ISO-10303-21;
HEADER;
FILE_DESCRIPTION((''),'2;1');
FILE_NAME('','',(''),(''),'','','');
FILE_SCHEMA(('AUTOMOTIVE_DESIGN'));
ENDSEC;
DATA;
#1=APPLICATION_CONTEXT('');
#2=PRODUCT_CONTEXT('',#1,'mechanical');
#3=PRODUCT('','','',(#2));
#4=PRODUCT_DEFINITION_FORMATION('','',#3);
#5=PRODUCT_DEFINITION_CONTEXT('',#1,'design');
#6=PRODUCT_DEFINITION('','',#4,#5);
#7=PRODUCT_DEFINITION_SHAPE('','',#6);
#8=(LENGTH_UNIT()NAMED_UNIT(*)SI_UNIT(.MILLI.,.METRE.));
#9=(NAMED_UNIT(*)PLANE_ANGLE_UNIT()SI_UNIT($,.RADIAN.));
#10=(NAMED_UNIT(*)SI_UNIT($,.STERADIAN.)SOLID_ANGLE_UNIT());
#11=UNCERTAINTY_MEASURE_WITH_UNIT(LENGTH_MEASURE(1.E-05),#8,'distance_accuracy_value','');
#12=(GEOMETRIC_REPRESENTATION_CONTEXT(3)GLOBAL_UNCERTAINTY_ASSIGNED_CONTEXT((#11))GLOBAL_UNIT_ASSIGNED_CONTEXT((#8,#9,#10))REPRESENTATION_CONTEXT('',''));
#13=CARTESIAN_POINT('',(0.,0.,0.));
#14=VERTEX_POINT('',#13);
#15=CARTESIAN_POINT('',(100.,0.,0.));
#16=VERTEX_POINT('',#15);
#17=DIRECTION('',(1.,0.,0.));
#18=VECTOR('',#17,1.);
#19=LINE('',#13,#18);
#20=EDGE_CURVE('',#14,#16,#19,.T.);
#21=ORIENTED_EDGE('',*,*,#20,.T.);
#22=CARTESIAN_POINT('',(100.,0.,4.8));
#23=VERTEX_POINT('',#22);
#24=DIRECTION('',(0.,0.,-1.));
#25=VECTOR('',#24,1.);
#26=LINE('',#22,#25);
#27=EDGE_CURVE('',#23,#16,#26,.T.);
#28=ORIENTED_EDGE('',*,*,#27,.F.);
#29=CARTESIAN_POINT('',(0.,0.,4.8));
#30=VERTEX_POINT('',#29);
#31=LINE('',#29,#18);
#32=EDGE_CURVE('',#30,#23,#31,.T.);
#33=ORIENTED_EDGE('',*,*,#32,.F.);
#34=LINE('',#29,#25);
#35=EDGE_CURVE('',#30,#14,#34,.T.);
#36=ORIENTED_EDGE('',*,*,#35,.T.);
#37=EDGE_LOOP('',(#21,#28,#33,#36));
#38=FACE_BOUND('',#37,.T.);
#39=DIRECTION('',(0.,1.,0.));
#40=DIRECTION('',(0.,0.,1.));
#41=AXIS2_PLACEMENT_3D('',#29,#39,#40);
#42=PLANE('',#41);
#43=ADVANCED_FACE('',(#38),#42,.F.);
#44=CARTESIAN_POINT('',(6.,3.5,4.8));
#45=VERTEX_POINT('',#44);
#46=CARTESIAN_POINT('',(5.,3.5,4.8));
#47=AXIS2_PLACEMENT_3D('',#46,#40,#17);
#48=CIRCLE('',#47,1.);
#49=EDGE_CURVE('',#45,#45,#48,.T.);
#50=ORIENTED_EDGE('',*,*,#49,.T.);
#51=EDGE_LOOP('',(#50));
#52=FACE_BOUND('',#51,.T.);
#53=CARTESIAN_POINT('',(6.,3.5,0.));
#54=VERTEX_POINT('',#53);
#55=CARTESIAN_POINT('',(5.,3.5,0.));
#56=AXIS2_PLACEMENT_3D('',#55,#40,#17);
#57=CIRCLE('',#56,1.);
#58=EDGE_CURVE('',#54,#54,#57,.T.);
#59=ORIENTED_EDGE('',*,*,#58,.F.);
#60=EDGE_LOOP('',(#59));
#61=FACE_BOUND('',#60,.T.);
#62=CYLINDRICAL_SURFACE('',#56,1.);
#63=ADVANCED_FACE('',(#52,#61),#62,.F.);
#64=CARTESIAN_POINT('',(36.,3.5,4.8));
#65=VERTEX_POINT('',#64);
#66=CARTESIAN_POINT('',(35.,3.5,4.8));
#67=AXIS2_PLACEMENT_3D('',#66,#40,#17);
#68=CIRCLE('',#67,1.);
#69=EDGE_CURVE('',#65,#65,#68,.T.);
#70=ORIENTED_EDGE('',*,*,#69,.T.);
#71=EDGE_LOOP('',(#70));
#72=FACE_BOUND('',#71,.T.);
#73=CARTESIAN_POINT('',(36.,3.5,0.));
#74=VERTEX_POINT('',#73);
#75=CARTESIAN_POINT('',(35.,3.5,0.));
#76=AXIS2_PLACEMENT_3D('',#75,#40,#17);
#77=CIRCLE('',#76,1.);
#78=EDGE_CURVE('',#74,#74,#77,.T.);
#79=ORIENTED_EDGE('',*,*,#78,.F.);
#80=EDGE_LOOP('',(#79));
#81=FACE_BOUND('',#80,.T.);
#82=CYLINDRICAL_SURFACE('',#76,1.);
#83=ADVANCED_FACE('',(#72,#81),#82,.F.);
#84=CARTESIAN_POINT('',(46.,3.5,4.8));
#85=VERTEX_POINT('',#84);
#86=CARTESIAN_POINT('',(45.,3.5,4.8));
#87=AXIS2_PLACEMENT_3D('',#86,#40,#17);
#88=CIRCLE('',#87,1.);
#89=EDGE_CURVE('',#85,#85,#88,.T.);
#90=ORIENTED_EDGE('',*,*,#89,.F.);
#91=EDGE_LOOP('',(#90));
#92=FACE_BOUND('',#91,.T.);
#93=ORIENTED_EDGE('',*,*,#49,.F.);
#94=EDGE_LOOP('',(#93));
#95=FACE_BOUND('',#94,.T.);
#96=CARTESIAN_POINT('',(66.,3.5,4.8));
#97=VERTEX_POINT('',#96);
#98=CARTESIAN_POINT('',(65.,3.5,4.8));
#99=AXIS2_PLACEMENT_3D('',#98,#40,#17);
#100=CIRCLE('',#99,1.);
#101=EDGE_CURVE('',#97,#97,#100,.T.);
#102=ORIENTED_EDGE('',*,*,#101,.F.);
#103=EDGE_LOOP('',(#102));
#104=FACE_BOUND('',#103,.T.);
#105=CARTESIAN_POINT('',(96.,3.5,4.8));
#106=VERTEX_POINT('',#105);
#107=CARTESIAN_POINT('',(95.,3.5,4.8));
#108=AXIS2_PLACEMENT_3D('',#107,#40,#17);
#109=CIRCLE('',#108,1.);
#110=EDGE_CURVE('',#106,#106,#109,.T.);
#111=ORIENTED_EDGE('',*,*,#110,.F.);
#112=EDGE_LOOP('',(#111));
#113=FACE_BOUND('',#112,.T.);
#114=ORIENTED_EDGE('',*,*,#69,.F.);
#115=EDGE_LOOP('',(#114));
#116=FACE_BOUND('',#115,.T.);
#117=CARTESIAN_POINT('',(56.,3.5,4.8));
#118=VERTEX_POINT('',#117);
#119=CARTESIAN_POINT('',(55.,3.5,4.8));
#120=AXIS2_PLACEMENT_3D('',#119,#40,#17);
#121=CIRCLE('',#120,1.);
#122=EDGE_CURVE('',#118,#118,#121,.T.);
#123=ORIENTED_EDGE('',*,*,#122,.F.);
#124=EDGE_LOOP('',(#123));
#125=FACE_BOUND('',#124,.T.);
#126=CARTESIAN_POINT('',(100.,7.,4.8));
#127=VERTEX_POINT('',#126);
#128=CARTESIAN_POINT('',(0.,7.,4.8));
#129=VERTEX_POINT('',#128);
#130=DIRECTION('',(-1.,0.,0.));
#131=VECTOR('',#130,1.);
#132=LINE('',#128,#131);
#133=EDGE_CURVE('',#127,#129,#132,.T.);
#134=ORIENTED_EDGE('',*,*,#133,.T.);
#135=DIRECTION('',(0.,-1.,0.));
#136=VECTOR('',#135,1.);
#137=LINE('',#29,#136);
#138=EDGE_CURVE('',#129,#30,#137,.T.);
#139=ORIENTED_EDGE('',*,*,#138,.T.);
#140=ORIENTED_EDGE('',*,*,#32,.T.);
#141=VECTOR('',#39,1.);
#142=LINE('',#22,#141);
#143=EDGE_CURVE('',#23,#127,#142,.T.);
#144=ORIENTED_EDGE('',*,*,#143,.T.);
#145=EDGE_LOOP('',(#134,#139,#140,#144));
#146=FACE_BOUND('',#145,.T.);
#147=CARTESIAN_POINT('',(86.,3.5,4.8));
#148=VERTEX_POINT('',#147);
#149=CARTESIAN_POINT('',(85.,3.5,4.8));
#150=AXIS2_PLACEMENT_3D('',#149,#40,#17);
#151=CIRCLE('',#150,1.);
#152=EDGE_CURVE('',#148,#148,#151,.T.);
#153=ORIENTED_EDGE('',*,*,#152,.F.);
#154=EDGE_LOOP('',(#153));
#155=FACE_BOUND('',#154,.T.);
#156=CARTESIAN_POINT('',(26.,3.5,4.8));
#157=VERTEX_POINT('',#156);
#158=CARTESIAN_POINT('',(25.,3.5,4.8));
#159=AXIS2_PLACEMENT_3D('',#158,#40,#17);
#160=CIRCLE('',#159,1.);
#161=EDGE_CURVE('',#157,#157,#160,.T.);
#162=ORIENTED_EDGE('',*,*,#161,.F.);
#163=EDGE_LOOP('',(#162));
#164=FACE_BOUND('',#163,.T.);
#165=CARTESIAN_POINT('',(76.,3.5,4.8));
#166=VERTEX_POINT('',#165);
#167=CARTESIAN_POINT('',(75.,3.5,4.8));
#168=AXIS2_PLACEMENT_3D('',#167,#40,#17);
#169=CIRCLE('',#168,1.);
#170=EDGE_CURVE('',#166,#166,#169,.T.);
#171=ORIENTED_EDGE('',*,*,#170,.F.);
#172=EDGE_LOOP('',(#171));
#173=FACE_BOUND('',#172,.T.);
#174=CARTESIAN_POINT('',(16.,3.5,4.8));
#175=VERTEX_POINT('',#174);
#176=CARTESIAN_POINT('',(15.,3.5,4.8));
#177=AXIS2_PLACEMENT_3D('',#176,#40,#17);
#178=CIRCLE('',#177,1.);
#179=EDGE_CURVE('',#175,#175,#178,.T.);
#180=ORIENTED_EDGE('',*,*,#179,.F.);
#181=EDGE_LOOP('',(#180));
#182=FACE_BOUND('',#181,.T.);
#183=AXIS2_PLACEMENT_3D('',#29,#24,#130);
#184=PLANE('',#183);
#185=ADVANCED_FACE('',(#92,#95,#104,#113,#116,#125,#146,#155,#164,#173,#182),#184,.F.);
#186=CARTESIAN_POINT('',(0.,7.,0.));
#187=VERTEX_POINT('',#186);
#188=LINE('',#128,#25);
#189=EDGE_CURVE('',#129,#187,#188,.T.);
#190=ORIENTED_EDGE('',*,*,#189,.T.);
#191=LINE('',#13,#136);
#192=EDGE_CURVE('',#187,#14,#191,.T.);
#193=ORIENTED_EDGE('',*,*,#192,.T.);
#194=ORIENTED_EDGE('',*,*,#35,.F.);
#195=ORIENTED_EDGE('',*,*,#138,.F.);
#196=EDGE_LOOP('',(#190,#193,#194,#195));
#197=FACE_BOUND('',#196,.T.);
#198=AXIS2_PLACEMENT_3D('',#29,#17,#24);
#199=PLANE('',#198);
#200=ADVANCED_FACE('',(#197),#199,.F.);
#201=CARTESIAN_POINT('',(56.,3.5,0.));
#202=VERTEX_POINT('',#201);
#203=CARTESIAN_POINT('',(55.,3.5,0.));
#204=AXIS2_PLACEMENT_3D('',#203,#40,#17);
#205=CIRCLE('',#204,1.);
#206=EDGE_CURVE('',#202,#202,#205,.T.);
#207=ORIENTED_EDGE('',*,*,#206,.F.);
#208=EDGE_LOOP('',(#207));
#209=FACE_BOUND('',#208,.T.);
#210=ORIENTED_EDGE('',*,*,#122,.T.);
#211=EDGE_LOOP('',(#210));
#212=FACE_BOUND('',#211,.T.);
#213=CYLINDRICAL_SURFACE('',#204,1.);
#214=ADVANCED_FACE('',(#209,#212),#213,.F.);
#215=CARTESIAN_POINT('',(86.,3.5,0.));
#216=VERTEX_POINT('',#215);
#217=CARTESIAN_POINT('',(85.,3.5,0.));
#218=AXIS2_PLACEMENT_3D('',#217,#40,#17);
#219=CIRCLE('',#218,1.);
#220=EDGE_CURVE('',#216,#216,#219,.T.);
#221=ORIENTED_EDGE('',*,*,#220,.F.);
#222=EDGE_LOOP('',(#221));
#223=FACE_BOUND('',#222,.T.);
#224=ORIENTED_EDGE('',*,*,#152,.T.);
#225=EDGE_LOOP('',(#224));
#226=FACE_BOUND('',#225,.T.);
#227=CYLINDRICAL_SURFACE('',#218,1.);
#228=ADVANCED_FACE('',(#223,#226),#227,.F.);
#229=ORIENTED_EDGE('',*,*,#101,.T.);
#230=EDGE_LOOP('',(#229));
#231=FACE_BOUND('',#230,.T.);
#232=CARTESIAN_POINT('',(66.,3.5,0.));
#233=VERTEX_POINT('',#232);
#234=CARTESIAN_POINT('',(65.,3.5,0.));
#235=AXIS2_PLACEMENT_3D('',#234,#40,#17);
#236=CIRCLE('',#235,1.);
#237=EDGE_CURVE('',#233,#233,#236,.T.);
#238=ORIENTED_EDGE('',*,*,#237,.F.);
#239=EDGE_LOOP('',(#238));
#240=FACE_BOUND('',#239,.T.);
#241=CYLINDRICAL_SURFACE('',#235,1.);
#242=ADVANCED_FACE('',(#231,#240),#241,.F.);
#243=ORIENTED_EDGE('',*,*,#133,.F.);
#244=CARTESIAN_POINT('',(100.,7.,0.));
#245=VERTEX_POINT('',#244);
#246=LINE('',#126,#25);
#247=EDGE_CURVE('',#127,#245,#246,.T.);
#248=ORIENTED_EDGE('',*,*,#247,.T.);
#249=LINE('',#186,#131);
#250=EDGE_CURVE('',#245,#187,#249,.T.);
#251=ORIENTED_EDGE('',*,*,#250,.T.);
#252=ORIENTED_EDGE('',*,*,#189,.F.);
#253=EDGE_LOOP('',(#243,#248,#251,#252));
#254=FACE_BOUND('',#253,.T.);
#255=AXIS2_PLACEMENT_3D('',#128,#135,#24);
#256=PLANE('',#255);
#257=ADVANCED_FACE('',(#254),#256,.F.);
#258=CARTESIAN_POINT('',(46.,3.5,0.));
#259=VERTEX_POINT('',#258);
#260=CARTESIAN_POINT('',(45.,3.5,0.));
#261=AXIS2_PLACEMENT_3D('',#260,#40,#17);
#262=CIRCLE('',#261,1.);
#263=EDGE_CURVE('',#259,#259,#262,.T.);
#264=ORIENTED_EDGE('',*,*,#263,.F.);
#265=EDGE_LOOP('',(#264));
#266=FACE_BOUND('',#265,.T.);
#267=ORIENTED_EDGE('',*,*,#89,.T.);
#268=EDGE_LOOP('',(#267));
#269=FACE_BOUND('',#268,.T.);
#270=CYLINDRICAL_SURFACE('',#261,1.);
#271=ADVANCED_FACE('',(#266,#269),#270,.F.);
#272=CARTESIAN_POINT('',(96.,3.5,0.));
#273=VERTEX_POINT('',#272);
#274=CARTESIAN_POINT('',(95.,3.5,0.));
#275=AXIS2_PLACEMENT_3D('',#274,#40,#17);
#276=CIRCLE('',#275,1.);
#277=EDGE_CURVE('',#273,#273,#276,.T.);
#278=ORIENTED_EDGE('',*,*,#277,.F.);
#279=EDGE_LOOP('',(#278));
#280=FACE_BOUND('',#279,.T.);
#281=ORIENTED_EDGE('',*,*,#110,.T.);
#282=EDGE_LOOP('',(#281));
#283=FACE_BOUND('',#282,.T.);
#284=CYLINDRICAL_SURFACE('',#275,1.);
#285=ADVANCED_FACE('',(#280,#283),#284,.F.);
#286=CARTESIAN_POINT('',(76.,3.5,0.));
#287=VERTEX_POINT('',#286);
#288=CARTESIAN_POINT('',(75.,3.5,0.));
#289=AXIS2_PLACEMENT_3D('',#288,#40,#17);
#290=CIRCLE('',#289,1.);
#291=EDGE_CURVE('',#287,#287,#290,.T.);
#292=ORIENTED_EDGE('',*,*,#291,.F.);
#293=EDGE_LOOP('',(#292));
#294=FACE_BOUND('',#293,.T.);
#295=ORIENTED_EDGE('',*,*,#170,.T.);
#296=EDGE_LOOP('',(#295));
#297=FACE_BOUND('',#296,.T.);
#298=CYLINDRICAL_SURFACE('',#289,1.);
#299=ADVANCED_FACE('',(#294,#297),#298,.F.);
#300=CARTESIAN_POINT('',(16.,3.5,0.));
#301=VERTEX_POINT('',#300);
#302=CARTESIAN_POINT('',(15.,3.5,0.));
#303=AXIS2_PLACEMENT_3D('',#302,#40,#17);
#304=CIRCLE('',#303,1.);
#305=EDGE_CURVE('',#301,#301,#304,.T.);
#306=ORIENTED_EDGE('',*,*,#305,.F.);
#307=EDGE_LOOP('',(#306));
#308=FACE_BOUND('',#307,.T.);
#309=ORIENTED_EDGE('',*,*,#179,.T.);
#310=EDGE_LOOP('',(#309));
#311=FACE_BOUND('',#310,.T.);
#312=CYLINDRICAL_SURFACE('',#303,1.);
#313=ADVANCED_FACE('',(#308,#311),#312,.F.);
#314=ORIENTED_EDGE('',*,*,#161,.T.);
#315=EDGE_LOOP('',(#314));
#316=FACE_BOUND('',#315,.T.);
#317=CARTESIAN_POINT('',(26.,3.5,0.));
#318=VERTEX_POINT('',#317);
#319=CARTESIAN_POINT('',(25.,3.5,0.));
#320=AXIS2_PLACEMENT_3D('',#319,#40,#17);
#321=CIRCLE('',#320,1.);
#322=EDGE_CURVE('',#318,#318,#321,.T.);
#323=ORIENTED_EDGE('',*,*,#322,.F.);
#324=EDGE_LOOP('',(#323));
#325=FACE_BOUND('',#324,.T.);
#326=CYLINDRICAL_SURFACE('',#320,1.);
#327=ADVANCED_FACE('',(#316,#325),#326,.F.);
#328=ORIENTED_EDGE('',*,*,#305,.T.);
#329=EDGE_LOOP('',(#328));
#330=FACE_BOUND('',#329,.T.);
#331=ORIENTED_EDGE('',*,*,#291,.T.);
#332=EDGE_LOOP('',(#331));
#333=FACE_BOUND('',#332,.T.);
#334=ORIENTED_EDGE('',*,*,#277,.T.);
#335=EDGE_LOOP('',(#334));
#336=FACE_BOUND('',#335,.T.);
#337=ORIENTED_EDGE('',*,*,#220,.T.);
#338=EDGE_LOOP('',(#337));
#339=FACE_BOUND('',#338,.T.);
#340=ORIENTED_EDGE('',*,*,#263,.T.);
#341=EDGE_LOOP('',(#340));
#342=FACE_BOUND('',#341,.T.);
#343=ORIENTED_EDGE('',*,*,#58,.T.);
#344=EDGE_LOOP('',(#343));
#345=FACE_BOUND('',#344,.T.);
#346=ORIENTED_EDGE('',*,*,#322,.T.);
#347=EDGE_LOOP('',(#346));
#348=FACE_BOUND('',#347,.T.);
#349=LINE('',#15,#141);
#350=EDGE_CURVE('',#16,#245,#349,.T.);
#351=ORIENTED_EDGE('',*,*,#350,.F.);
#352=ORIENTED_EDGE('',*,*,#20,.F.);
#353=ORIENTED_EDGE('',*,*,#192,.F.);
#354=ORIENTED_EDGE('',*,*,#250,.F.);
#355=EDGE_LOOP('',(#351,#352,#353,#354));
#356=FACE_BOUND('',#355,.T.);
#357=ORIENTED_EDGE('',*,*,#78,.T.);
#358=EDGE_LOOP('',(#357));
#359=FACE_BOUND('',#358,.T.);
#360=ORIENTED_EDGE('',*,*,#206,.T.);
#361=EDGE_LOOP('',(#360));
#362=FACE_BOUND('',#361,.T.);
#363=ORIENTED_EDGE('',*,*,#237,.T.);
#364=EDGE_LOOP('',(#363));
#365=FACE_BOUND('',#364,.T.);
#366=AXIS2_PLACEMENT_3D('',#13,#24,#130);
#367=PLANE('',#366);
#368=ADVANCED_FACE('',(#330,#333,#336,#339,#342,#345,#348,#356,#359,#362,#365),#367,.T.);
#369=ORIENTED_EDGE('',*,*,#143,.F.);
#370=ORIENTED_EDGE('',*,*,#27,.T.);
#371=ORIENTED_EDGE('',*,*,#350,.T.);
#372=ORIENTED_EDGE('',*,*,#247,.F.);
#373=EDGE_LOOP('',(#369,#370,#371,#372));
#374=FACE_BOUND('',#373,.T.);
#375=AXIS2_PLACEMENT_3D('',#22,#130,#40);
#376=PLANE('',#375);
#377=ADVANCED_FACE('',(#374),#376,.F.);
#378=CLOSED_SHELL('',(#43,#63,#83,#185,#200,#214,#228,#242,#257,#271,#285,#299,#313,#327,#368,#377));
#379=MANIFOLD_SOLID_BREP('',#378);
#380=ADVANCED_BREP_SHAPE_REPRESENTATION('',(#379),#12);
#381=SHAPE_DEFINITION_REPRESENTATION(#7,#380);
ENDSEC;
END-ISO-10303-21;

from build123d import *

# Parameters (mm, degrees)
SKETCH_1_W          = 100
SKETCH_1_H          = 7
EXTRUDE_1_DEPTH     = 4.8
SKETCH_2_R          = 1
CUT_EXTRUDE_1_DEPTH = 4.8


with BuildPart() as part:
    # 草图1 → 凸台-拉伸1 (new body)
    with BuildSketch(Plane.XY):
        with Locations((50, 3.5)):
            Rectangle(SKETCH_1_W, SKETCH_1_H)
    extrude(amount=EXTRUDE_1_DEPTH)

    # 草图2 → 切除-拉伸1 (cut)
    with BuildSketch(Plane.XY.offset(4.8)):
        with BuildLine():
            ThreePointArc((6, 3.5), (5, 4.5), (4, 3.5))
            Line((4, 3.5), (6, 3.5))
        make_face()
        with BuildLine():
            Line((6, 3.5), (4, 3.5))
            ThreePointArc((4, 3.5), (5, 2.5), (6, 3.5))
        make_face()
        with BuildLine():
            ThreePointArc((16, 3.5), (15, 4.5), (14, 3.5))
            Line((14, 3.5), (16, 3.5))
        make_face()
        with BuildLine():
            Line((16, 3.5), (14, 3.5))
            ThreePointArc((14, 3.5), (15, 2.5), (16, 3.5))
        make_face()
        with BuildLine():
            ThreePointArc((26, 3.5), (25, 4.5), (24, 3.5))
            Line((24, 3.5), (26, 3.5))
        make_face()
        with BuildLine():
            Line((26, 3.5), (24, 3.5))
            ThreePointArc((24, 3.5), (25, 2.5), (26, 3.5))
        make_face()
        with BuildLine():
            ThreePointArc((36, 3.5), (35, 4.5), (34, 3.5))
            Line((34, 3.5), (36, 3.5))
        make_face()
        with BuildLine():
            Line((36, 3.5), (34, 3.5))
            ThreePointArc((34, 3.5), (35, 2.5), (36, 3.5))
        make_face()
        with BuildLine():
            ThreePointArc((46, 3.5), (45, 4.5), (44, 3.5))
            Line((44, 3.5), (46, 3.5))
        make_face()
        with BuildLine():
            Line((46, 3.5), (44, 3.5))
            ThreePointArc((44, 3.5), (45, 2.5), (46, 3.5))
        make_face()
        with BuildLine():
            ThreePointArc((56, 3.5), (55, 4.5), (54, 3.5))
            Line((54, 3.5), (56, 3.5))
        make_face()
        with BuildLine():
            Line((56, 3.5), (54, 3.5))
            ThreePointArc((54, 3.5), (55, 2.5), (56, 3.5))
        make_face()
        with BuildLine():
            ThreePointArc((76, 3.5), (75, 4.5), (74, 3.5))
            Line((74, 3.5), (76, 3.5))
        make_face()
        with BuildLine():
            Line((76, 3.5), (74, 3.5))
            ThreePointArc((74, 3.5), (75, 2.5), (76, 3.5))
        make_face()
        with BuildLine():
            ThreePointArc((86, 3.5), (85, 4.5), (84, 3.5))
            Line((84, 3.5), (86, 3.5))
        make_face()
        with BuildLine():
            Line((86, 3.5), (84, 3.5))
            ThreePointArc((84, 3.5), (85, 2.5), (86, 3.5))
        make_face()
        with BuildLine():
            ThreePointArc((96, 3.5), (95, 4.5), (94, 3.5))
            Line((94, 3.5), (96, 3.5))
        make_face()
        with BuildLine():
            Line((96, 3.5), (94, 3.5))
            ThreePointArc((94, 3.5), (95, 2.5), (96, 3.5))
        make_face()
        with Locations((65, 3.5)):
            Circle(SKETCH_2_R)
    extrude(amount=-CUT_EXTRUDE_1_DEPTH, mode=Mode.SUBTRACT)


solid = part.part
